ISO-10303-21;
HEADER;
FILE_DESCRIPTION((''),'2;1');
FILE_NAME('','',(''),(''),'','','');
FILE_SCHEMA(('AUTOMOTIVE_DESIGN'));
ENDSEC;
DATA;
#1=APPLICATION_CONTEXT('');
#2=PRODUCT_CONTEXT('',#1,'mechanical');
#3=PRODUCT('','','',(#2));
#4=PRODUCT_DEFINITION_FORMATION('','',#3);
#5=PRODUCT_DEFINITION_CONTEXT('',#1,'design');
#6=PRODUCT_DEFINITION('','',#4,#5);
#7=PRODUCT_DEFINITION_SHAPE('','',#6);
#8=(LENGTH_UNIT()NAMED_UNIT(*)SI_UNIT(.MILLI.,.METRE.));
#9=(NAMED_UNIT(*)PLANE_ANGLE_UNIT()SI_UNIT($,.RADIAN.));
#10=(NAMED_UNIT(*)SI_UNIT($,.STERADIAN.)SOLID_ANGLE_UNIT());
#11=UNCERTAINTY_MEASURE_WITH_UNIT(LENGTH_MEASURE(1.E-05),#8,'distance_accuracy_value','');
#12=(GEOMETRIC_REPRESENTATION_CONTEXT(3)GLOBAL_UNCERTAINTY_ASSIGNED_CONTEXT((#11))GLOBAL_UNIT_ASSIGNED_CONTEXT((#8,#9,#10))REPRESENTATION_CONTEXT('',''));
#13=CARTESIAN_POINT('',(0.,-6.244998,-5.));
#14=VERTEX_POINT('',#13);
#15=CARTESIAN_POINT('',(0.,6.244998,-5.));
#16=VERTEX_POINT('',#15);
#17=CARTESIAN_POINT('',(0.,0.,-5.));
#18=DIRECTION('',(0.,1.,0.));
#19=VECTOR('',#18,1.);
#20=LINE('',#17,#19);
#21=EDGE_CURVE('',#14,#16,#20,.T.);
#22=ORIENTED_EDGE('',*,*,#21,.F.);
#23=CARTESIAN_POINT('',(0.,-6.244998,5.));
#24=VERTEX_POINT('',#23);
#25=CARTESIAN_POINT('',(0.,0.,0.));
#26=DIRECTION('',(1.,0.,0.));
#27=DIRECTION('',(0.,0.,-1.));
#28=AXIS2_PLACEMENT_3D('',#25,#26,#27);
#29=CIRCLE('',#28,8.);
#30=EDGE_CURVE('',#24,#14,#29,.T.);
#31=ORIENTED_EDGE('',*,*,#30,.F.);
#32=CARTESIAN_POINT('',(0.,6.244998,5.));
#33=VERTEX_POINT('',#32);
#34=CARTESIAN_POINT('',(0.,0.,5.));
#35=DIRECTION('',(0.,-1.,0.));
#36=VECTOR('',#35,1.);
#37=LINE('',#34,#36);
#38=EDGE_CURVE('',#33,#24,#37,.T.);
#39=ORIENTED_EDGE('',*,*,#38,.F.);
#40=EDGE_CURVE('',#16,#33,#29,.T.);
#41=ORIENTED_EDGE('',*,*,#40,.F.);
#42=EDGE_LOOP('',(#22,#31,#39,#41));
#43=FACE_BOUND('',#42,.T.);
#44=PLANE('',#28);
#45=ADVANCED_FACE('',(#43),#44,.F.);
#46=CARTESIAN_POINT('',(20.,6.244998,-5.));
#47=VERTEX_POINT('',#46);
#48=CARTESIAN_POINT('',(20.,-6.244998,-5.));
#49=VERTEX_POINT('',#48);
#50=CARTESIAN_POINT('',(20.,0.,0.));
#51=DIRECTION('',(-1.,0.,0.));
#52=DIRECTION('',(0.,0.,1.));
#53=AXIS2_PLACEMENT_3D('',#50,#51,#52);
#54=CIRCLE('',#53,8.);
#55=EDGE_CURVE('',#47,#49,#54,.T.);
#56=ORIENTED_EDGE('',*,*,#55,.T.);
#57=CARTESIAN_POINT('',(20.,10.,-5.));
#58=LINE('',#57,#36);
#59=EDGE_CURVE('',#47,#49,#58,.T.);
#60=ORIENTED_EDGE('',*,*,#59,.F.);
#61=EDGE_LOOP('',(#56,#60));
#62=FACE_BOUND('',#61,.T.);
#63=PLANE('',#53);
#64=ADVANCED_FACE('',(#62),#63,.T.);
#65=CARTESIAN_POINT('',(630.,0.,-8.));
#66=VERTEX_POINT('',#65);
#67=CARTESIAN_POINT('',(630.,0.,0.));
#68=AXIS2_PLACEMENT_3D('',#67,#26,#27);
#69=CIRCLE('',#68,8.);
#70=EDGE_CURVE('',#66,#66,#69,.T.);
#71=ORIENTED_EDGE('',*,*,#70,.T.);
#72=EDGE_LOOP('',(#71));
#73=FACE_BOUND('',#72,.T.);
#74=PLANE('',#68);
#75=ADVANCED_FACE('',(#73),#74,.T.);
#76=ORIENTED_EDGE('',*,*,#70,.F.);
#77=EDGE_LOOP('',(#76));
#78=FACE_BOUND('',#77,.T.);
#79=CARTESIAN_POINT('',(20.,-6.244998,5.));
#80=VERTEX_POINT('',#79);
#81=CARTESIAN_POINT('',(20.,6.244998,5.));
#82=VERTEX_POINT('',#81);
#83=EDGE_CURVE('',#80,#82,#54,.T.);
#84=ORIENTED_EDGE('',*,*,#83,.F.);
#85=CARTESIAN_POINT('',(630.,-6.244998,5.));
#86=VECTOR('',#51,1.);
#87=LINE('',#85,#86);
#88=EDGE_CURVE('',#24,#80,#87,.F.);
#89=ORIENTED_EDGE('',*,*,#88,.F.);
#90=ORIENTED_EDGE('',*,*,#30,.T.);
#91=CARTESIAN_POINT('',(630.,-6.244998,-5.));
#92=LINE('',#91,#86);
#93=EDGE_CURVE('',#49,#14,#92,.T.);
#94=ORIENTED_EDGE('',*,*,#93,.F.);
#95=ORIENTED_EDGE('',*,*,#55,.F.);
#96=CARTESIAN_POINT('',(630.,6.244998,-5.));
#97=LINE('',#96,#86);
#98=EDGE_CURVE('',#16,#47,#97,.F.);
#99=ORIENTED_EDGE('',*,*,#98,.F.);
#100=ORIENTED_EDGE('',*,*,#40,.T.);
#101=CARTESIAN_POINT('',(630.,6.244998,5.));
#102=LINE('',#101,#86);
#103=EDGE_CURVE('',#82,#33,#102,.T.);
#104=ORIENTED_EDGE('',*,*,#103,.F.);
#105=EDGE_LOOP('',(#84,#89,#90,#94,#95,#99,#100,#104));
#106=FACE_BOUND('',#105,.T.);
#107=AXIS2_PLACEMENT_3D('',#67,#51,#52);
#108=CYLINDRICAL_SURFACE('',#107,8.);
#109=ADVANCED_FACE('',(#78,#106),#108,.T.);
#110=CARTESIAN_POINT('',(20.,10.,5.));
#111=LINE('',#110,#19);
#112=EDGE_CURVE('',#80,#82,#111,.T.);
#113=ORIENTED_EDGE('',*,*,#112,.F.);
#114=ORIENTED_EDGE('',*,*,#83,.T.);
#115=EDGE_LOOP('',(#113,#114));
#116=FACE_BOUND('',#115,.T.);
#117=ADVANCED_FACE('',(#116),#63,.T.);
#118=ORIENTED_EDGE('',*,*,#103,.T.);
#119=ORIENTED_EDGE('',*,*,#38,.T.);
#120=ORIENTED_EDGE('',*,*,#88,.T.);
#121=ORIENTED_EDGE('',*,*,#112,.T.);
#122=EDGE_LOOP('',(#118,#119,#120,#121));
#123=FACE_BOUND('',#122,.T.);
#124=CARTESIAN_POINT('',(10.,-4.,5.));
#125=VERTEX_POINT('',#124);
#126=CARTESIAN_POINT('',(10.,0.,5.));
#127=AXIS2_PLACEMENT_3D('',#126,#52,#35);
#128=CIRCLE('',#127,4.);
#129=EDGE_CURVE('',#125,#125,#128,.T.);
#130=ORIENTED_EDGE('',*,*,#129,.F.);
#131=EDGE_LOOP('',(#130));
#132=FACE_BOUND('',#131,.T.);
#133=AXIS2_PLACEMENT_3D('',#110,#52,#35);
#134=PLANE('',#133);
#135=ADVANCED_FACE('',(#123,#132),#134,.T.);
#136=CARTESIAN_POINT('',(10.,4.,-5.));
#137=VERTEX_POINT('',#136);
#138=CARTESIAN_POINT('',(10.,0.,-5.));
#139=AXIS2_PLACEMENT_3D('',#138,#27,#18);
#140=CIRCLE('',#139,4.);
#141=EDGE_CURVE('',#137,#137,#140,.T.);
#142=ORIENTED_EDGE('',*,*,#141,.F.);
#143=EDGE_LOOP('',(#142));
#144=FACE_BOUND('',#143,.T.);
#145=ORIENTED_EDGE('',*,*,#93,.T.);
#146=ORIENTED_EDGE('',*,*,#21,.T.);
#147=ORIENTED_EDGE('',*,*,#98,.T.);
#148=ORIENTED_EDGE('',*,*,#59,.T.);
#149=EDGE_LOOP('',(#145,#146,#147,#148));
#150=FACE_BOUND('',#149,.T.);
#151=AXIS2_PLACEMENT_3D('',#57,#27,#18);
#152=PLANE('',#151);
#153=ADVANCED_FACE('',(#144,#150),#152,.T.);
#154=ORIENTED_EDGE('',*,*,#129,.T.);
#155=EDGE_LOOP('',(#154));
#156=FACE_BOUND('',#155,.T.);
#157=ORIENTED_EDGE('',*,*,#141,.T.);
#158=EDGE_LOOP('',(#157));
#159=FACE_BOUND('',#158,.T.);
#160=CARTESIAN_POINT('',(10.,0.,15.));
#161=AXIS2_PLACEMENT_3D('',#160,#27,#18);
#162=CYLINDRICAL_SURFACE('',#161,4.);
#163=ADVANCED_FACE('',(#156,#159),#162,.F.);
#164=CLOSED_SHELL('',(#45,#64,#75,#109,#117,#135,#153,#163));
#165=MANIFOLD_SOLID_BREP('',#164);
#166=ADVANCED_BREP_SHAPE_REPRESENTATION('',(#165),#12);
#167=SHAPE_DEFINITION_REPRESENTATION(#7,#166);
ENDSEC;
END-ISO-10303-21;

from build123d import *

# Parameters (mm, degrees)
SKETCH_1_R           = 8
EXTRUDE_1_DEPTH      = 630
SKETCH_3_OUTSIDE_W   = 144.082
SKETCH_3_OUTSIDE_H   = 144.082
SKETCH_3_OUTSIDE_W_2 = 10
SKETCH_3_OUTSIDE_H_2 = 20
CUT_EXTRUDE_1_DEPTH  = 20
SKETCH_4_R           = 4
CUT_EXTRUDE_3_DEPTH  = 20


with BuildPart() as part:
    # 草图1 → 凸台-拉伸1 (new body)
    with BuildSketch(Plane(origin=(0, 0, 0), x_dir=(0, 0, -1), z_dir=(1, 0, 0))):
        Circle(SKETCH_1_R)
    extrude(amount=EXTRUDE_1_DEPTH)

    # 草图3 outside → 切除-拉伸1 (cut)
    with BuildSketch(Plane.ZY):
        Rectangle(SKETCH_3_OUTSIDE_W, SKETCH_3_OUTSIDE_H)
        Rectangle(SKETCH_3_OUTSIDE_W_2, SKETCH_3_OUTSIDE_H_2, mode=Mode.SUBTRACT)
    extrude(amount=-CUT_EXTRUDE_1_DEPTH, mode=Mode.SUBTRACT)

    # 草图4 → 切除-拉伸3 (cut)
    with BuildSketch(Plane(origin=(0, 0, -5), x_dir=(-1, 0, 0), z_dir=(0, 0, -1))):
        with Locations((-10, 0)):
            Circle(SKETCH_4_R)
    extrude(amount=-CUT_EXTRUDE_3_DEPTH, mode=Mode.SUBTRACT)


solid = part.part
